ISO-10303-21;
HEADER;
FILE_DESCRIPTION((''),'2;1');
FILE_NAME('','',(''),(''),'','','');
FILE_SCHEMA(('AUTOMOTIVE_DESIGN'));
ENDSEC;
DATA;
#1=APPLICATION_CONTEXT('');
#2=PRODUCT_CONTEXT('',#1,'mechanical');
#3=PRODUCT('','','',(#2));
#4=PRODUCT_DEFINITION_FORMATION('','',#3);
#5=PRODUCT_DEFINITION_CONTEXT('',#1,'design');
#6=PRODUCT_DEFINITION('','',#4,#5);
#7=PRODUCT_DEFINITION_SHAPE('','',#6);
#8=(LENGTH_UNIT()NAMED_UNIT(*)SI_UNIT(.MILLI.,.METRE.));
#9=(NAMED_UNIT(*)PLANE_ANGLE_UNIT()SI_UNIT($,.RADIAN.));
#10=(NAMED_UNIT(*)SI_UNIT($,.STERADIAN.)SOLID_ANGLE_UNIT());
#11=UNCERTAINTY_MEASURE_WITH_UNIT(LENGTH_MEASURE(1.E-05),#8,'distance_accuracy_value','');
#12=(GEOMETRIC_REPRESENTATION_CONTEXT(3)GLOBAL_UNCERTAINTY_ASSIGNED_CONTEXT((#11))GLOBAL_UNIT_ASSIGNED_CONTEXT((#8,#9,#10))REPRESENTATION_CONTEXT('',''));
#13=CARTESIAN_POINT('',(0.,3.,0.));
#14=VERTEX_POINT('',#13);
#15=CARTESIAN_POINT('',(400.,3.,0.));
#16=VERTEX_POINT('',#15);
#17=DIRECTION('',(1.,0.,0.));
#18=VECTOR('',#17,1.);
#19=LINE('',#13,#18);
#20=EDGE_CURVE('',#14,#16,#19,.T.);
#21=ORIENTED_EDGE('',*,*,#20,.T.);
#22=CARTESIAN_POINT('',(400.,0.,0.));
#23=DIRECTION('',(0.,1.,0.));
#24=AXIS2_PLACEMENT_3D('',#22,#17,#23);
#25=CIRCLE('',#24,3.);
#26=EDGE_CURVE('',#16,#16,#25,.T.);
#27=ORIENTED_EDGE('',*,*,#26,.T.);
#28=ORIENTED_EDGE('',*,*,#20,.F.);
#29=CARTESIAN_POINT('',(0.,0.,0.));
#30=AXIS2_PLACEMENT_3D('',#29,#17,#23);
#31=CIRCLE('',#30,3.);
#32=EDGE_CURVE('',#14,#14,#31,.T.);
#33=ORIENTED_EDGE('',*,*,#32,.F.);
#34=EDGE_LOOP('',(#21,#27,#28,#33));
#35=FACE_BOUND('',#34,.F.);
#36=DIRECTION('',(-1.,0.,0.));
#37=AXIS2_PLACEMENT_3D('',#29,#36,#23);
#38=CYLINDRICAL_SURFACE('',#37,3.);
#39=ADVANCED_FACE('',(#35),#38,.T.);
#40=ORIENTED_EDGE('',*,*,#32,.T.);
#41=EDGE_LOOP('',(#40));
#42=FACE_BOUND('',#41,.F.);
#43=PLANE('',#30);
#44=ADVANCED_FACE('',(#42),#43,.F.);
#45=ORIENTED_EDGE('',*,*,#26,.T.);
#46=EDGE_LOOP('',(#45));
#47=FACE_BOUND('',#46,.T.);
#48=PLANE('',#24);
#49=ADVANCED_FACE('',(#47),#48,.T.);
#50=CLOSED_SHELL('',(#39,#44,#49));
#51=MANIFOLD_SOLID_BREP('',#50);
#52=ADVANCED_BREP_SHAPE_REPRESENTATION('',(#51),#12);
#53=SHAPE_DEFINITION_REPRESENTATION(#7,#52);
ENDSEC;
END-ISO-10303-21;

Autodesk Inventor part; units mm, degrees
ref_plane "YZ Plane" through (0, 0, 0) normal (1, 0, 0) x (0, 1, 0)
ref_plane "XZ Plane" through (0, 0, 0) normal (0, 1, 0) x (-1, 0, 0)
ref_plane "XY Plane" through (0, 0, 0) normal (0, 0, 1) x (1, 0, 0)
sketch "Skizze1" plane through (0, 0, 0) normal (1, 0, 0) x (0, 1, 0)
  circle A0 centre (0, 0) radius 3
  dimension "d0" = 6
extrude "Extrusion1" add sketch "Skizze1" along normal blind 400
properties part number "DriveLine 8mm" material "Edelstahl, 440C"
